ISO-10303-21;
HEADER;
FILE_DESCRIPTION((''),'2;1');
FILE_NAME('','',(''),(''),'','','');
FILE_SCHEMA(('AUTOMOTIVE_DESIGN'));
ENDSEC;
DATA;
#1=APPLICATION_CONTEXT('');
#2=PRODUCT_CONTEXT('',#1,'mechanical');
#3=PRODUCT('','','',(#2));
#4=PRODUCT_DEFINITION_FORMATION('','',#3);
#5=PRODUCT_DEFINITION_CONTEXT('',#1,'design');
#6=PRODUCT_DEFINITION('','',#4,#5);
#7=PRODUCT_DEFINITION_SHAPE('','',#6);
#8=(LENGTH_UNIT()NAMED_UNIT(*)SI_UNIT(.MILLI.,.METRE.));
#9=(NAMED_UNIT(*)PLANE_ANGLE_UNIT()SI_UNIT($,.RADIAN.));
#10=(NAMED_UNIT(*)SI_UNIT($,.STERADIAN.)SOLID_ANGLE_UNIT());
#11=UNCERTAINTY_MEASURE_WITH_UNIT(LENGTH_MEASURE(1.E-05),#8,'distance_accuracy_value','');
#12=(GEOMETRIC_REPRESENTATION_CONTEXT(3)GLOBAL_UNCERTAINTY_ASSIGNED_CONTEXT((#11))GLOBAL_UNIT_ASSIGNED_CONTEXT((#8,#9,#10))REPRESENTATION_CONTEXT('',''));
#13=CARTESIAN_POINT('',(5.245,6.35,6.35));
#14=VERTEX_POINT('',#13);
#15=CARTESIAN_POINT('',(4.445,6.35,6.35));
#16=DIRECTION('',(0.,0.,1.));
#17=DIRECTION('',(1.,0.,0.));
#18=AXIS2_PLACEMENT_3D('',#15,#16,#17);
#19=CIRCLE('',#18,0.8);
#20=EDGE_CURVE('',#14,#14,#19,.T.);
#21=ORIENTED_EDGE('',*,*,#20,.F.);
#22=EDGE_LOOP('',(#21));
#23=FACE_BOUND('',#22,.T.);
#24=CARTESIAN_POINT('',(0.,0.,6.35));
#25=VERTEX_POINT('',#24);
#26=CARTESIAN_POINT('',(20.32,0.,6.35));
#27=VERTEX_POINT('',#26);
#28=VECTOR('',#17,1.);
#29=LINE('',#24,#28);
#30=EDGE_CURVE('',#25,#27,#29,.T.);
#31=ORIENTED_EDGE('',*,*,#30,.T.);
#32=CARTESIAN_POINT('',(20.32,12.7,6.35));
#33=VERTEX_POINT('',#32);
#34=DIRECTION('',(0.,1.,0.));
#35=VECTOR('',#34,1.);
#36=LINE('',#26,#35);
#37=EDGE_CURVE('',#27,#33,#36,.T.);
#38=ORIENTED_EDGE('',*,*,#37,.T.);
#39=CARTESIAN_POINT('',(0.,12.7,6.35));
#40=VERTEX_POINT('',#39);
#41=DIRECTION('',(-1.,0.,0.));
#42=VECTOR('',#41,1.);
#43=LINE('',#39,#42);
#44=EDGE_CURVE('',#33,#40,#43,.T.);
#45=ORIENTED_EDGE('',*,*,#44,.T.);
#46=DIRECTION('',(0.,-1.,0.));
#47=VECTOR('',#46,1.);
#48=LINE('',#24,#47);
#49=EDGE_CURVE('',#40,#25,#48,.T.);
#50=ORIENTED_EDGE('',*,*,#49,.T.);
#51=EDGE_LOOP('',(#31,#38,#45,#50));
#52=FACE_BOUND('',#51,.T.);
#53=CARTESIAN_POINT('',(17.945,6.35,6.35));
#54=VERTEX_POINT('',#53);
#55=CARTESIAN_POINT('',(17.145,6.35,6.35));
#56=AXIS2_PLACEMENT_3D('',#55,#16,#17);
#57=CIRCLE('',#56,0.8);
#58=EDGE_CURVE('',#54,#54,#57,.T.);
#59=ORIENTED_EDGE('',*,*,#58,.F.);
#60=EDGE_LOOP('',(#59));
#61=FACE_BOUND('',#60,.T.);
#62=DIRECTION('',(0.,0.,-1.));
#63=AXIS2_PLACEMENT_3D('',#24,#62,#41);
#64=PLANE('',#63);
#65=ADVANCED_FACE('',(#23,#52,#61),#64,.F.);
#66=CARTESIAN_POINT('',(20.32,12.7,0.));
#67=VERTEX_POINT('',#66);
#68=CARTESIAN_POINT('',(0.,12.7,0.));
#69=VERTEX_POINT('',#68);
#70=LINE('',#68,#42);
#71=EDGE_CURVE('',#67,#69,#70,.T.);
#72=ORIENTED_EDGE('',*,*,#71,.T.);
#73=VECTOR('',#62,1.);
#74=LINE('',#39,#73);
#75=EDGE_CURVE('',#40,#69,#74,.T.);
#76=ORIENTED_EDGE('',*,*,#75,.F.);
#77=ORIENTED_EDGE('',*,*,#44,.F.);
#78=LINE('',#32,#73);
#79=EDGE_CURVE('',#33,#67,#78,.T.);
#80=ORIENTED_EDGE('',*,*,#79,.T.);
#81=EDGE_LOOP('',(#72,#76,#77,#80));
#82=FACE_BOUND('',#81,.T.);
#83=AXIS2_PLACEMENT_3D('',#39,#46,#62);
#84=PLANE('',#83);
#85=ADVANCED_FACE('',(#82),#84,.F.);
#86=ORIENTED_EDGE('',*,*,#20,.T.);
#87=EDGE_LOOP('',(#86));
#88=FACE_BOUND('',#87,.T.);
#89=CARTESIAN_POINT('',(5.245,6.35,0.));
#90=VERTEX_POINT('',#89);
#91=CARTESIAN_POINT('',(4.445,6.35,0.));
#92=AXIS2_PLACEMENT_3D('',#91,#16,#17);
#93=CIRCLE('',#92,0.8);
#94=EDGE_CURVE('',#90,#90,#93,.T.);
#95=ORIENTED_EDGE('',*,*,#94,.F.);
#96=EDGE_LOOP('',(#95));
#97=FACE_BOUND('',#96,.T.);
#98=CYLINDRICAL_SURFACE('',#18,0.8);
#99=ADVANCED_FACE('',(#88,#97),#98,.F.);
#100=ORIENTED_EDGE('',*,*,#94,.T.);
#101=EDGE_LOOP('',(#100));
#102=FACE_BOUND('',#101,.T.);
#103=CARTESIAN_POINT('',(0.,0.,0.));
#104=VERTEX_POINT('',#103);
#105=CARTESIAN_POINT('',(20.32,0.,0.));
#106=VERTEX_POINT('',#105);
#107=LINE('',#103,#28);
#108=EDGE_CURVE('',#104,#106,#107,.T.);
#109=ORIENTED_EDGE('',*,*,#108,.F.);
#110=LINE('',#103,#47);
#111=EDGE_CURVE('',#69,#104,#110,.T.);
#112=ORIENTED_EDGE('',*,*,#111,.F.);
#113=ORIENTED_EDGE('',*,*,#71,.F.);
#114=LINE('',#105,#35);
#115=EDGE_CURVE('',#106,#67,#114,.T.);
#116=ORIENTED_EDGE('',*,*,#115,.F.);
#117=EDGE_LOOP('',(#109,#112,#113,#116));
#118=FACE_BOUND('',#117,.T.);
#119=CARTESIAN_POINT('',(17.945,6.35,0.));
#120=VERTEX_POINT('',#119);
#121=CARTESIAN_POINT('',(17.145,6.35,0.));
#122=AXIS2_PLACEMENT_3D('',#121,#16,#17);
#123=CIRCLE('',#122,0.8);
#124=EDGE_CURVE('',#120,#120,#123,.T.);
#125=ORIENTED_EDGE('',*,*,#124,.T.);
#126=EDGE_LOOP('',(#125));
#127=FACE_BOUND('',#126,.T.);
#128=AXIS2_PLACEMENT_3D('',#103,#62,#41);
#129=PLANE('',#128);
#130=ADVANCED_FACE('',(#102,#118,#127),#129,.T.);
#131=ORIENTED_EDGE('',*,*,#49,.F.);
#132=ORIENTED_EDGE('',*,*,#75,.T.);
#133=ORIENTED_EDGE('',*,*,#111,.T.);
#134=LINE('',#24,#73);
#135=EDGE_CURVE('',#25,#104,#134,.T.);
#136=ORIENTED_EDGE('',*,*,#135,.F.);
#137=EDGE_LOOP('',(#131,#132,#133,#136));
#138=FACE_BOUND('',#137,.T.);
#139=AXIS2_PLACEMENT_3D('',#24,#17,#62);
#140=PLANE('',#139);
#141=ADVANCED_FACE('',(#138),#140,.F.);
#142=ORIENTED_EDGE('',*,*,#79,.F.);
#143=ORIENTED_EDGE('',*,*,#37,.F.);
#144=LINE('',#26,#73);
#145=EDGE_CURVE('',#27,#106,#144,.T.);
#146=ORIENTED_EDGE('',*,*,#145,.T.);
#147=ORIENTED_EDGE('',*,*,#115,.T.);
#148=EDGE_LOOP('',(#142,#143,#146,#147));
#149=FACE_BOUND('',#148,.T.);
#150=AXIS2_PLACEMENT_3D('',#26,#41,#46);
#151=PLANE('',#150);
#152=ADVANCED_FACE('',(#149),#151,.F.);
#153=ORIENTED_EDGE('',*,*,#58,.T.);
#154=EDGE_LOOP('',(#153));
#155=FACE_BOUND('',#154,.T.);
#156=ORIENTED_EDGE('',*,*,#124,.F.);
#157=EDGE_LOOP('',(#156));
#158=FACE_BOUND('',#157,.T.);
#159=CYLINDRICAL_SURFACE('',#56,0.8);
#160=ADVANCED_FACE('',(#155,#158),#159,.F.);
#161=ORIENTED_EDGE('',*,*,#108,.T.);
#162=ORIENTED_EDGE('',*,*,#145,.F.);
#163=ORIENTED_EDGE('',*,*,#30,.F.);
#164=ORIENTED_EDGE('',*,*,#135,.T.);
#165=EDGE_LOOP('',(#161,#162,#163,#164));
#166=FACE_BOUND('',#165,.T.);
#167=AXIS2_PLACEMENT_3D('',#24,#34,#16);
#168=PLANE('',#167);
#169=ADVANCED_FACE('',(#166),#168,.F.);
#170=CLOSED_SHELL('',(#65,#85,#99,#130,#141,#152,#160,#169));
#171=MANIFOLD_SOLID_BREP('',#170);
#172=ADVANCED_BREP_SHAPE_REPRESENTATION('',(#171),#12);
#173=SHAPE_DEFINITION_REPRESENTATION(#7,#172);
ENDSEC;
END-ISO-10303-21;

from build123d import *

# Parameters (mm, degrees)
SKETCH1_W             = 20.32
SKETCH1_H             = 12.7
BOSS_EXTRUDE1_DEPTH   = 6.35
M2X0_4_TAPPED_HOLE1_D = 1.6


with BuildPart() as part:
    # Sketch1 → Boss-Extrude1 (new body)
    with BuildSketch(Plane.XY):
        with Locations((10.16, 6.35)):
            Rectangle(SKETCH1_W, SKETCH1_H)
    extrude(amount=BOSS_EXTRUDE1_DEPTH)

    # M2x0.4 Tapped Hole1 (through all)
    with Locations(Plane.XY.offset(6.35)):
        with Locations((17.145, 6.35), (4.445, 6.35)):
            Hole(M2X0_4_TAPPED_HOLE1_D / 2)


solid = part.part
